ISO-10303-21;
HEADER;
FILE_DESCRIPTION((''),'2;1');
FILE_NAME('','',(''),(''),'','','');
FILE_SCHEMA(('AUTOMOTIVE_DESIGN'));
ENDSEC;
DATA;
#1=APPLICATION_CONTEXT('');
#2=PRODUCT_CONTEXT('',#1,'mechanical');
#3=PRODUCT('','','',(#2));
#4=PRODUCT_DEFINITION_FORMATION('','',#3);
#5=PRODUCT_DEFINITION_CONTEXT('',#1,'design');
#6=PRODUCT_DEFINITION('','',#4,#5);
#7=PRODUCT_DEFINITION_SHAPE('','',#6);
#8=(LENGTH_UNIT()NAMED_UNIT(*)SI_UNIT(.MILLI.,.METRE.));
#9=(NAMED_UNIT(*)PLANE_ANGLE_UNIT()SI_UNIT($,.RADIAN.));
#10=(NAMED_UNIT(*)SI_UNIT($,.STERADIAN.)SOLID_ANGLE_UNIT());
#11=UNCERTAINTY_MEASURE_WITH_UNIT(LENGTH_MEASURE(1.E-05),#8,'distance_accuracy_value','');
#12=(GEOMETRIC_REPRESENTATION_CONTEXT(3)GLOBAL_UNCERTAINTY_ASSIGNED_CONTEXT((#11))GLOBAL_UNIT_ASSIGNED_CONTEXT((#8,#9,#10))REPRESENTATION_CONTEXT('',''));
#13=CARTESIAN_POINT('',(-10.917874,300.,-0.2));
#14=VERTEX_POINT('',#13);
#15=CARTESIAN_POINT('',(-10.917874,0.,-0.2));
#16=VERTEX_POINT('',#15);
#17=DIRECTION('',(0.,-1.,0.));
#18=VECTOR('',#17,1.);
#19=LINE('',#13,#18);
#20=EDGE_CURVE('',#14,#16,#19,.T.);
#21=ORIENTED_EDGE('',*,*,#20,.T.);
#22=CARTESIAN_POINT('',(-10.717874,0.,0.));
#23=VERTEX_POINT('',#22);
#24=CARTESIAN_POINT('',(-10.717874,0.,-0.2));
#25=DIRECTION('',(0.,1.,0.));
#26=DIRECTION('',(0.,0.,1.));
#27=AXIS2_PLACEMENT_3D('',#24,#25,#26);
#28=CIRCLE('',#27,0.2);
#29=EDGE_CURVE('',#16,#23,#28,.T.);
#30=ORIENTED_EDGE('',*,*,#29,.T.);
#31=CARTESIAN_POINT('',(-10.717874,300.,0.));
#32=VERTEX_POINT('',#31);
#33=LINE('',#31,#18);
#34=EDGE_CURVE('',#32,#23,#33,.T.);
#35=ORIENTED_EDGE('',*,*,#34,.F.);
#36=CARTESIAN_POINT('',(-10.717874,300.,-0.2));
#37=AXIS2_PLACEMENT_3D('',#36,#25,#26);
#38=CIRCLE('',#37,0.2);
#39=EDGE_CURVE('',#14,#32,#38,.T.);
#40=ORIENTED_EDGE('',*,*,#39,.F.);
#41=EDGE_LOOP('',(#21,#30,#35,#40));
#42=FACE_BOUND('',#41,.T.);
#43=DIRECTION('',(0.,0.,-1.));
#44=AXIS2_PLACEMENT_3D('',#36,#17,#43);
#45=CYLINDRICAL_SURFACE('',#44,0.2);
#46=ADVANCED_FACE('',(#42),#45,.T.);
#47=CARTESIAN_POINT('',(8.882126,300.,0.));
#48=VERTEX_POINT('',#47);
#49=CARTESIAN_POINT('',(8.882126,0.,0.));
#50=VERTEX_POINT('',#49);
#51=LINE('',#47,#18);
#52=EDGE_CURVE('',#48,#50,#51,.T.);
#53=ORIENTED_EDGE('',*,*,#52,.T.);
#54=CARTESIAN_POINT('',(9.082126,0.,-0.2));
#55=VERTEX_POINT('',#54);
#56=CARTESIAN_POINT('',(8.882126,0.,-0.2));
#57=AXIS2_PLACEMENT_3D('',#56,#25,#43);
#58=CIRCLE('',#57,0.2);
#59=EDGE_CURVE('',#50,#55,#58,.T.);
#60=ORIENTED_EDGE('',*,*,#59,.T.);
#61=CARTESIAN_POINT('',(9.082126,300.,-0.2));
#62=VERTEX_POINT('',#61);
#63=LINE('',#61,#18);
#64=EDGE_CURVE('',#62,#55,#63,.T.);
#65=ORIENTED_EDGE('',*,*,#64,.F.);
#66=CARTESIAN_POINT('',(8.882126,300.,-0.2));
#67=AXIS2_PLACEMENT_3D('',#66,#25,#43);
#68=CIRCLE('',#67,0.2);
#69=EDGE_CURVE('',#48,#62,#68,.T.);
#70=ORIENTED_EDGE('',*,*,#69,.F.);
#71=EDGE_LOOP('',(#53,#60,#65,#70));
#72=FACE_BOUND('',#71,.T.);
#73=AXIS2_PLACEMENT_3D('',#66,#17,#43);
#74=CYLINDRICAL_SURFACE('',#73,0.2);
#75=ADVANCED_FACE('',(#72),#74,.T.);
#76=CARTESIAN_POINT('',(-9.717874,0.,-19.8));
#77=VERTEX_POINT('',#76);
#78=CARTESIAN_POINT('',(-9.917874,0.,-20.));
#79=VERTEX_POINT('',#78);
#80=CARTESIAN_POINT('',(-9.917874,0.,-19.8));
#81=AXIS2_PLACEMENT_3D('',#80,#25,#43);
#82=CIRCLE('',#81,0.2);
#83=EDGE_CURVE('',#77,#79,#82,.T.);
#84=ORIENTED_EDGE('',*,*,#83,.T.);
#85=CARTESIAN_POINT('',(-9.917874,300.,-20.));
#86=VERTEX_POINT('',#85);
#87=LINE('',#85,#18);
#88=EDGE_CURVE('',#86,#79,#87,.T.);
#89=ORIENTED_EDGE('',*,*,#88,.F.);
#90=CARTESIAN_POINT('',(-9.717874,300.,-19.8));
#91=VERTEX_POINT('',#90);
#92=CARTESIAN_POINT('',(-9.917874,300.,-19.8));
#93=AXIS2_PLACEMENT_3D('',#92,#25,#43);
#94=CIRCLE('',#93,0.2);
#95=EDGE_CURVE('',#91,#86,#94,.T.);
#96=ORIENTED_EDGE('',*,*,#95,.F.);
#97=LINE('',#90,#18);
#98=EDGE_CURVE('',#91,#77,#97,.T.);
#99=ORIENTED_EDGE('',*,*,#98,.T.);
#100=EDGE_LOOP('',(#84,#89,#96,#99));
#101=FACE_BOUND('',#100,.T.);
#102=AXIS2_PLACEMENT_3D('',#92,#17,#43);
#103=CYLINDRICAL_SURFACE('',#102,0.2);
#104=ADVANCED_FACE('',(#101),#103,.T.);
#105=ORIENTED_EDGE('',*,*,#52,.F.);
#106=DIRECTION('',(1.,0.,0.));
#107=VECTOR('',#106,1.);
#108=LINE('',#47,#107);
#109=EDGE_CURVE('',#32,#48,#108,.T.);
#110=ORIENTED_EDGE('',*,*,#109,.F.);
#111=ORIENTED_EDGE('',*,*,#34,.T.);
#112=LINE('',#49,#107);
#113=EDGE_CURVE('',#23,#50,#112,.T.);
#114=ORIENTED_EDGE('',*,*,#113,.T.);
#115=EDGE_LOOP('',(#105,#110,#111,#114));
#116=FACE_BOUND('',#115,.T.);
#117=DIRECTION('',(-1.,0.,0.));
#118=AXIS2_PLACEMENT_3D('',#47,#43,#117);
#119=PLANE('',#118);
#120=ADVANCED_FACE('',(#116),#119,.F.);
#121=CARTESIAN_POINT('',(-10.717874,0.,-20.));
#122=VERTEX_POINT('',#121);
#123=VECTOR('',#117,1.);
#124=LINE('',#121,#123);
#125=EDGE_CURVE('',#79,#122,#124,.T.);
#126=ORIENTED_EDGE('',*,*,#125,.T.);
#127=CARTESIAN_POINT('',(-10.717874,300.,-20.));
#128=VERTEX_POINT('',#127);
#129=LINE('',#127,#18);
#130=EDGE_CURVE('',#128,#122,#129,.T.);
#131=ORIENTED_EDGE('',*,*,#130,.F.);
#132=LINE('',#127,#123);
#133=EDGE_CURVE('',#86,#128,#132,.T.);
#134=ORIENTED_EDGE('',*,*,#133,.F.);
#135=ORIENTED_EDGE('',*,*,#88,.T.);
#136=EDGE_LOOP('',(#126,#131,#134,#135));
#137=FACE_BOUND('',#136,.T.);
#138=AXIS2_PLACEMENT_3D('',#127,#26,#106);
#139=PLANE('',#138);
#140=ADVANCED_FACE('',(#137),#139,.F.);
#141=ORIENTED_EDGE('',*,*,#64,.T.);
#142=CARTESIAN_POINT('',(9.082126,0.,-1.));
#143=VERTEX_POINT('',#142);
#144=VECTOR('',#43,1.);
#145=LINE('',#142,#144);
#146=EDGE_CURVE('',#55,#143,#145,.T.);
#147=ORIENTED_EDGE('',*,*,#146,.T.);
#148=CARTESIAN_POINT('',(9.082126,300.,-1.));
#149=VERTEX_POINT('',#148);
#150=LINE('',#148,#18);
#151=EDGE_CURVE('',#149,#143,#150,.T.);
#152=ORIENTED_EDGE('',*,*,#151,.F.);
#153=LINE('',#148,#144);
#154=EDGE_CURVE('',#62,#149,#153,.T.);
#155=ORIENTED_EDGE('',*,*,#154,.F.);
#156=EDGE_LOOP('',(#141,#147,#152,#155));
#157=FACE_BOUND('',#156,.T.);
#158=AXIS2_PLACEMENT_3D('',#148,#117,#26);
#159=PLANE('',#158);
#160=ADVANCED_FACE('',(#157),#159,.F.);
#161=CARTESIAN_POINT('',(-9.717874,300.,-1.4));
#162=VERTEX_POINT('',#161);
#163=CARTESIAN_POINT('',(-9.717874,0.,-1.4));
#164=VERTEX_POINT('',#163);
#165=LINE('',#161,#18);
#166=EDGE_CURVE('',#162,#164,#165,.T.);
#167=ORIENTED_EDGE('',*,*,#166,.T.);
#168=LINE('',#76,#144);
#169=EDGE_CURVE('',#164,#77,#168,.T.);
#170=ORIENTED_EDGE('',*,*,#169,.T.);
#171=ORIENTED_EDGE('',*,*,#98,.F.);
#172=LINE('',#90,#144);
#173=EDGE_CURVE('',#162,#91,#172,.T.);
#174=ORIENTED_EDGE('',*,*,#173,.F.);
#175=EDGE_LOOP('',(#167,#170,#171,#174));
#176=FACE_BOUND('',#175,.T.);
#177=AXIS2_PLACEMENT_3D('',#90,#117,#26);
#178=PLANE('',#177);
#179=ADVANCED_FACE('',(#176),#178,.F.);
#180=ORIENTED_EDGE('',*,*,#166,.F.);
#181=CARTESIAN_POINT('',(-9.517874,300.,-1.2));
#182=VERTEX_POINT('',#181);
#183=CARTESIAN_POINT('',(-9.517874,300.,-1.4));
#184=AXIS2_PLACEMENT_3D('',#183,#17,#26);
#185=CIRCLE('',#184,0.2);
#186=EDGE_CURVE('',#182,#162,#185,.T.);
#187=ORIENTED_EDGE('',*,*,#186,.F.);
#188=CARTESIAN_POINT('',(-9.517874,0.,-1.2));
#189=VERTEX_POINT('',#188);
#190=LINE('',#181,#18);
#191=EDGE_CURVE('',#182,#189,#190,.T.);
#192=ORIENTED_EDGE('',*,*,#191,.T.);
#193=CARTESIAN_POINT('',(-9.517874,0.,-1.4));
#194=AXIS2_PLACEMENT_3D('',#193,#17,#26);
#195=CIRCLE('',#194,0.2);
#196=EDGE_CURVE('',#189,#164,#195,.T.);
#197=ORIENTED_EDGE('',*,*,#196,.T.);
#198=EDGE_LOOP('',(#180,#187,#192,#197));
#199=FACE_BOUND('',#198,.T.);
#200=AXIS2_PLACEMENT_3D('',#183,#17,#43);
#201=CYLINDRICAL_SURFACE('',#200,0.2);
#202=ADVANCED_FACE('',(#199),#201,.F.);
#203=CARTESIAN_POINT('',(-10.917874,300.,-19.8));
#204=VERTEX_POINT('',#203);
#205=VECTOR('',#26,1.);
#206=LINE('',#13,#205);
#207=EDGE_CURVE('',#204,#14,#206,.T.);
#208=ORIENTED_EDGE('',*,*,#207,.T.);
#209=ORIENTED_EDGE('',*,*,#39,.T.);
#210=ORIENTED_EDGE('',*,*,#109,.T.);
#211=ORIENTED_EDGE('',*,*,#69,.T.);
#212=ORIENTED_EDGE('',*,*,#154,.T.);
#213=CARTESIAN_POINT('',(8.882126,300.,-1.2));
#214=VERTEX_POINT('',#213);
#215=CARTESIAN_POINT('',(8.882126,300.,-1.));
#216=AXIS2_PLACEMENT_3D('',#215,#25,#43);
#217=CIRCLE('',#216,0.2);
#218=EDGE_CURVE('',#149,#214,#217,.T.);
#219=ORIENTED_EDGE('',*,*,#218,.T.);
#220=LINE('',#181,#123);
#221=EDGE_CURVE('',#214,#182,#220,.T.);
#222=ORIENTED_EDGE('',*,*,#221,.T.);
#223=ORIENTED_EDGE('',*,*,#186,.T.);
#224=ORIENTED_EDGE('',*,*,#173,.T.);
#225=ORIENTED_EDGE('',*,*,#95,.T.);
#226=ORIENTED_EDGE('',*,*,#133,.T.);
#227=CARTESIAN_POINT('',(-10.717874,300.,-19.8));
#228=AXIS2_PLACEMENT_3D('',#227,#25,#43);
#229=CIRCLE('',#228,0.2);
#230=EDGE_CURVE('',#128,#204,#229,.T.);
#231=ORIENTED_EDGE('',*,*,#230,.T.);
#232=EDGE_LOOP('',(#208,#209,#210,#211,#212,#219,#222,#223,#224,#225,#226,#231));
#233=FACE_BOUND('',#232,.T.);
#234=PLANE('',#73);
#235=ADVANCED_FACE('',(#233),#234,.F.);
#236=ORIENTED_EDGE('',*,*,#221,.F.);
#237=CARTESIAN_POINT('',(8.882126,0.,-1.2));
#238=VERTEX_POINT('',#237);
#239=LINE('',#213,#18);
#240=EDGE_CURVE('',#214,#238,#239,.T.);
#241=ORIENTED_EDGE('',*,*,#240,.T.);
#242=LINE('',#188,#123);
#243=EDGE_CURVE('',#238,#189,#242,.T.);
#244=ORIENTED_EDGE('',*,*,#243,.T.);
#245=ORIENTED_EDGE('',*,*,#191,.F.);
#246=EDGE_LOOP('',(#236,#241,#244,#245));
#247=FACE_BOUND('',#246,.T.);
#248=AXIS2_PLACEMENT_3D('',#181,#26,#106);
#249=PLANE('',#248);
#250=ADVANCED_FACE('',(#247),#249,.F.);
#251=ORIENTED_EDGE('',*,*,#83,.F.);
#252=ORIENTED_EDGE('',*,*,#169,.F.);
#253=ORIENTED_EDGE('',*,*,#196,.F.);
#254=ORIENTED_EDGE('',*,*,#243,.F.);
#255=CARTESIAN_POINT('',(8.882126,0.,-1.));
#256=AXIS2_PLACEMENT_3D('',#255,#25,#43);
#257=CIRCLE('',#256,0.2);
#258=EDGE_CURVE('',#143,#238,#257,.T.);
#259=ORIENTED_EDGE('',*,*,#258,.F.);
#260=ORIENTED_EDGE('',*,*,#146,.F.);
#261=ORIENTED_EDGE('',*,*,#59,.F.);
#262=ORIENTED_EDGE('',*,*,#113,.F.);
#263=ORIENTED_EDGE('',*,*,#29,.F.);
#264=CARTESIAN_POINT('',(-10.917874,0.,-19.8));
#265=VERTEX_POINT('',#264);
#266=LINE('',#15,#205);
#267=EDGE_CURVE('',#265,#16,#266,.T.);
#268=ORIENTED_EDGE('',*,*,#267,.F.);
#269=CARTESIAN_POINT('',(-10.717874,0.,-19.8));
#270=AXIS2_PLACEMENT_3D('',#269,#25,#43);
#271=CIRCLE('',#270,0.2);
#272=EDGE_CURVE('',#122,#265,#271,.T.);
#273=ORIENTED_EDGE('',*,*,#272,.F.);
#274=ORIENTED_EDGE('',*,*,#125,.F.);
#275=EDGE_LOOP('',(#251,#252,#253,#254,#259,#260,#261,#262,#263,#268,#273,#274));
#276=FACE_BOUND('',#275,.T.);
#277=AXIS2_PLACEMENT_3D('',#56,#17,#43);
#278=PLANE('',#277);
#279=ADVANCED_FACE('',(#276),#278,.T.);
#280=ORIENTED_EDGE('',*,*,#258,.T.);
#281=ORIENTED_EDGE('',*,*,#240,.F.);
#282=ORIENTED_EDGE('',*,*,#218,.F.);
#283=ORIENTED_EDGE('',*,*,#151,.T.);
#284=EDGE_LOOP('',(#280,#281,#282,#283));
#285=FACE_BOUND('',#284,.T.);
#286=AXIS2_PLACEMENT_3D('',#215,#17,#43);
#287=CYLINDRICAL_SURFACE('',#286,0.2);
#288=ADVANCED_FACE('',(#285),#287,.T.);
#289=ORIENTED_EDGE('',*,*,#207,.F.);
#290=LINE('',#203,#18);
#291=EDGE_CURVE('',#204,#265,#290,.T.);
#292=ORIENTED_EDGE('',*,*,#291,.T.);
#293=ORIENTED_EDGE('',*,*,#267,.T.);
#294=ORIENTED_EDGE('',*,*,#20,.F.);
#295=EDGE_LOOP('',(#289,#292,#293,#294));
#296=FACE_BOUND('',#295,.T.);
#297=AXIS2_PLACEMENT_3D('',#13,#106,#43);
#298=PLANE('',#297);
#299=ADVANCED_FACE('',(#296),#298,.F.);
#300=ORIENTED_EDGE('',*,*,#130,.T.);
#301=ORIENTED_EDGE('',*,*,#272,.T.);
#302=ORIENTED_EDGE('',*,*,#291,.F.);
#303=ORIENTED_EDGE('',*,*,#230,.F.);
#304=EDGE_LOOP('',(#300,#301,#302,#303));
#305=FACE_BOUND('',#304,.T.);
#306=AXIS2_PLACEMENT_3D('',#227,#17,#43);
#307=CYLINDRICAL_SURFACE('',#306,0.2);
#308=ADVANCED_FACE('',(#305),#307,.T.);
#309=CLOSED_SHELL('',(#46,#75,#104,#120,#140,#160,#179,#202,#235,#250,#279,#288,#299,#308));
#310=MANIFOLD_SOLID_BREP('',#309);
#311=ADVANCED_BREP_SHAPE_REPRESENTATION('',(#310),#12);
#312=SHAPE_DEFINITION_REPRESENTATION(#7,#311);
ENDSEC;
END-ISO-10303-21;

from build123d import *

# Parameters (mm, degrees)
EXTRUDE_1_DEPTH = 300


with BuildPart() as part:
    # уголок-20х20 → Бобышка-Вытянуть1 (new body)
    with BuildSketch(Plane(origin=(0, 0, 0), x_dir=(1, 0, 0), z_dir=(0, 1, 0))):
        with BuildLine():
            Line((-10.917874396, 0.2), (-10.917874396, 19.8))
            ThreePointArc((-10.917874396, 19.8), (-10.859295752, 19.941421356), (-10.717874396, 20))
            Line((-10.717874396, 20), (-9.917874396, 20))
            ThreePointArc((-9.917874396, 20), (-9.77645304, 19.941421356), (-9.717874396, 19.8))
            Line((-9.717874396, 19.8), (-9.717874396, 1.4))
            ThreePointArc((-9.717874396, 1.4), (-9.659295752, 1.258578644), (-9.517874396, 1.2))
            Line((-9.517874396, 1.2), (8.882125604, 1.2))
            ThreePointArc((8.882125604, 1.2), (9.02354696, 1.141421356), (9.082125604, 1))
            Line((9.082125604, 1), (9.082125604, 0.2))
            ThreePointArc((9.082125604, 0.2), (9.02354696, 0.058578644), (8.882125604, 0))
            Line((8.882125604, 0), (-10.717874396, 0))
            ThreePointArc((-10.717874396, 0), (-10.859295752, 0.058578644), (-10.917874396, 0.2))
        make_face()
    extrude(amount=EXTRUDE_1_DEPTH)


solid = part.part
